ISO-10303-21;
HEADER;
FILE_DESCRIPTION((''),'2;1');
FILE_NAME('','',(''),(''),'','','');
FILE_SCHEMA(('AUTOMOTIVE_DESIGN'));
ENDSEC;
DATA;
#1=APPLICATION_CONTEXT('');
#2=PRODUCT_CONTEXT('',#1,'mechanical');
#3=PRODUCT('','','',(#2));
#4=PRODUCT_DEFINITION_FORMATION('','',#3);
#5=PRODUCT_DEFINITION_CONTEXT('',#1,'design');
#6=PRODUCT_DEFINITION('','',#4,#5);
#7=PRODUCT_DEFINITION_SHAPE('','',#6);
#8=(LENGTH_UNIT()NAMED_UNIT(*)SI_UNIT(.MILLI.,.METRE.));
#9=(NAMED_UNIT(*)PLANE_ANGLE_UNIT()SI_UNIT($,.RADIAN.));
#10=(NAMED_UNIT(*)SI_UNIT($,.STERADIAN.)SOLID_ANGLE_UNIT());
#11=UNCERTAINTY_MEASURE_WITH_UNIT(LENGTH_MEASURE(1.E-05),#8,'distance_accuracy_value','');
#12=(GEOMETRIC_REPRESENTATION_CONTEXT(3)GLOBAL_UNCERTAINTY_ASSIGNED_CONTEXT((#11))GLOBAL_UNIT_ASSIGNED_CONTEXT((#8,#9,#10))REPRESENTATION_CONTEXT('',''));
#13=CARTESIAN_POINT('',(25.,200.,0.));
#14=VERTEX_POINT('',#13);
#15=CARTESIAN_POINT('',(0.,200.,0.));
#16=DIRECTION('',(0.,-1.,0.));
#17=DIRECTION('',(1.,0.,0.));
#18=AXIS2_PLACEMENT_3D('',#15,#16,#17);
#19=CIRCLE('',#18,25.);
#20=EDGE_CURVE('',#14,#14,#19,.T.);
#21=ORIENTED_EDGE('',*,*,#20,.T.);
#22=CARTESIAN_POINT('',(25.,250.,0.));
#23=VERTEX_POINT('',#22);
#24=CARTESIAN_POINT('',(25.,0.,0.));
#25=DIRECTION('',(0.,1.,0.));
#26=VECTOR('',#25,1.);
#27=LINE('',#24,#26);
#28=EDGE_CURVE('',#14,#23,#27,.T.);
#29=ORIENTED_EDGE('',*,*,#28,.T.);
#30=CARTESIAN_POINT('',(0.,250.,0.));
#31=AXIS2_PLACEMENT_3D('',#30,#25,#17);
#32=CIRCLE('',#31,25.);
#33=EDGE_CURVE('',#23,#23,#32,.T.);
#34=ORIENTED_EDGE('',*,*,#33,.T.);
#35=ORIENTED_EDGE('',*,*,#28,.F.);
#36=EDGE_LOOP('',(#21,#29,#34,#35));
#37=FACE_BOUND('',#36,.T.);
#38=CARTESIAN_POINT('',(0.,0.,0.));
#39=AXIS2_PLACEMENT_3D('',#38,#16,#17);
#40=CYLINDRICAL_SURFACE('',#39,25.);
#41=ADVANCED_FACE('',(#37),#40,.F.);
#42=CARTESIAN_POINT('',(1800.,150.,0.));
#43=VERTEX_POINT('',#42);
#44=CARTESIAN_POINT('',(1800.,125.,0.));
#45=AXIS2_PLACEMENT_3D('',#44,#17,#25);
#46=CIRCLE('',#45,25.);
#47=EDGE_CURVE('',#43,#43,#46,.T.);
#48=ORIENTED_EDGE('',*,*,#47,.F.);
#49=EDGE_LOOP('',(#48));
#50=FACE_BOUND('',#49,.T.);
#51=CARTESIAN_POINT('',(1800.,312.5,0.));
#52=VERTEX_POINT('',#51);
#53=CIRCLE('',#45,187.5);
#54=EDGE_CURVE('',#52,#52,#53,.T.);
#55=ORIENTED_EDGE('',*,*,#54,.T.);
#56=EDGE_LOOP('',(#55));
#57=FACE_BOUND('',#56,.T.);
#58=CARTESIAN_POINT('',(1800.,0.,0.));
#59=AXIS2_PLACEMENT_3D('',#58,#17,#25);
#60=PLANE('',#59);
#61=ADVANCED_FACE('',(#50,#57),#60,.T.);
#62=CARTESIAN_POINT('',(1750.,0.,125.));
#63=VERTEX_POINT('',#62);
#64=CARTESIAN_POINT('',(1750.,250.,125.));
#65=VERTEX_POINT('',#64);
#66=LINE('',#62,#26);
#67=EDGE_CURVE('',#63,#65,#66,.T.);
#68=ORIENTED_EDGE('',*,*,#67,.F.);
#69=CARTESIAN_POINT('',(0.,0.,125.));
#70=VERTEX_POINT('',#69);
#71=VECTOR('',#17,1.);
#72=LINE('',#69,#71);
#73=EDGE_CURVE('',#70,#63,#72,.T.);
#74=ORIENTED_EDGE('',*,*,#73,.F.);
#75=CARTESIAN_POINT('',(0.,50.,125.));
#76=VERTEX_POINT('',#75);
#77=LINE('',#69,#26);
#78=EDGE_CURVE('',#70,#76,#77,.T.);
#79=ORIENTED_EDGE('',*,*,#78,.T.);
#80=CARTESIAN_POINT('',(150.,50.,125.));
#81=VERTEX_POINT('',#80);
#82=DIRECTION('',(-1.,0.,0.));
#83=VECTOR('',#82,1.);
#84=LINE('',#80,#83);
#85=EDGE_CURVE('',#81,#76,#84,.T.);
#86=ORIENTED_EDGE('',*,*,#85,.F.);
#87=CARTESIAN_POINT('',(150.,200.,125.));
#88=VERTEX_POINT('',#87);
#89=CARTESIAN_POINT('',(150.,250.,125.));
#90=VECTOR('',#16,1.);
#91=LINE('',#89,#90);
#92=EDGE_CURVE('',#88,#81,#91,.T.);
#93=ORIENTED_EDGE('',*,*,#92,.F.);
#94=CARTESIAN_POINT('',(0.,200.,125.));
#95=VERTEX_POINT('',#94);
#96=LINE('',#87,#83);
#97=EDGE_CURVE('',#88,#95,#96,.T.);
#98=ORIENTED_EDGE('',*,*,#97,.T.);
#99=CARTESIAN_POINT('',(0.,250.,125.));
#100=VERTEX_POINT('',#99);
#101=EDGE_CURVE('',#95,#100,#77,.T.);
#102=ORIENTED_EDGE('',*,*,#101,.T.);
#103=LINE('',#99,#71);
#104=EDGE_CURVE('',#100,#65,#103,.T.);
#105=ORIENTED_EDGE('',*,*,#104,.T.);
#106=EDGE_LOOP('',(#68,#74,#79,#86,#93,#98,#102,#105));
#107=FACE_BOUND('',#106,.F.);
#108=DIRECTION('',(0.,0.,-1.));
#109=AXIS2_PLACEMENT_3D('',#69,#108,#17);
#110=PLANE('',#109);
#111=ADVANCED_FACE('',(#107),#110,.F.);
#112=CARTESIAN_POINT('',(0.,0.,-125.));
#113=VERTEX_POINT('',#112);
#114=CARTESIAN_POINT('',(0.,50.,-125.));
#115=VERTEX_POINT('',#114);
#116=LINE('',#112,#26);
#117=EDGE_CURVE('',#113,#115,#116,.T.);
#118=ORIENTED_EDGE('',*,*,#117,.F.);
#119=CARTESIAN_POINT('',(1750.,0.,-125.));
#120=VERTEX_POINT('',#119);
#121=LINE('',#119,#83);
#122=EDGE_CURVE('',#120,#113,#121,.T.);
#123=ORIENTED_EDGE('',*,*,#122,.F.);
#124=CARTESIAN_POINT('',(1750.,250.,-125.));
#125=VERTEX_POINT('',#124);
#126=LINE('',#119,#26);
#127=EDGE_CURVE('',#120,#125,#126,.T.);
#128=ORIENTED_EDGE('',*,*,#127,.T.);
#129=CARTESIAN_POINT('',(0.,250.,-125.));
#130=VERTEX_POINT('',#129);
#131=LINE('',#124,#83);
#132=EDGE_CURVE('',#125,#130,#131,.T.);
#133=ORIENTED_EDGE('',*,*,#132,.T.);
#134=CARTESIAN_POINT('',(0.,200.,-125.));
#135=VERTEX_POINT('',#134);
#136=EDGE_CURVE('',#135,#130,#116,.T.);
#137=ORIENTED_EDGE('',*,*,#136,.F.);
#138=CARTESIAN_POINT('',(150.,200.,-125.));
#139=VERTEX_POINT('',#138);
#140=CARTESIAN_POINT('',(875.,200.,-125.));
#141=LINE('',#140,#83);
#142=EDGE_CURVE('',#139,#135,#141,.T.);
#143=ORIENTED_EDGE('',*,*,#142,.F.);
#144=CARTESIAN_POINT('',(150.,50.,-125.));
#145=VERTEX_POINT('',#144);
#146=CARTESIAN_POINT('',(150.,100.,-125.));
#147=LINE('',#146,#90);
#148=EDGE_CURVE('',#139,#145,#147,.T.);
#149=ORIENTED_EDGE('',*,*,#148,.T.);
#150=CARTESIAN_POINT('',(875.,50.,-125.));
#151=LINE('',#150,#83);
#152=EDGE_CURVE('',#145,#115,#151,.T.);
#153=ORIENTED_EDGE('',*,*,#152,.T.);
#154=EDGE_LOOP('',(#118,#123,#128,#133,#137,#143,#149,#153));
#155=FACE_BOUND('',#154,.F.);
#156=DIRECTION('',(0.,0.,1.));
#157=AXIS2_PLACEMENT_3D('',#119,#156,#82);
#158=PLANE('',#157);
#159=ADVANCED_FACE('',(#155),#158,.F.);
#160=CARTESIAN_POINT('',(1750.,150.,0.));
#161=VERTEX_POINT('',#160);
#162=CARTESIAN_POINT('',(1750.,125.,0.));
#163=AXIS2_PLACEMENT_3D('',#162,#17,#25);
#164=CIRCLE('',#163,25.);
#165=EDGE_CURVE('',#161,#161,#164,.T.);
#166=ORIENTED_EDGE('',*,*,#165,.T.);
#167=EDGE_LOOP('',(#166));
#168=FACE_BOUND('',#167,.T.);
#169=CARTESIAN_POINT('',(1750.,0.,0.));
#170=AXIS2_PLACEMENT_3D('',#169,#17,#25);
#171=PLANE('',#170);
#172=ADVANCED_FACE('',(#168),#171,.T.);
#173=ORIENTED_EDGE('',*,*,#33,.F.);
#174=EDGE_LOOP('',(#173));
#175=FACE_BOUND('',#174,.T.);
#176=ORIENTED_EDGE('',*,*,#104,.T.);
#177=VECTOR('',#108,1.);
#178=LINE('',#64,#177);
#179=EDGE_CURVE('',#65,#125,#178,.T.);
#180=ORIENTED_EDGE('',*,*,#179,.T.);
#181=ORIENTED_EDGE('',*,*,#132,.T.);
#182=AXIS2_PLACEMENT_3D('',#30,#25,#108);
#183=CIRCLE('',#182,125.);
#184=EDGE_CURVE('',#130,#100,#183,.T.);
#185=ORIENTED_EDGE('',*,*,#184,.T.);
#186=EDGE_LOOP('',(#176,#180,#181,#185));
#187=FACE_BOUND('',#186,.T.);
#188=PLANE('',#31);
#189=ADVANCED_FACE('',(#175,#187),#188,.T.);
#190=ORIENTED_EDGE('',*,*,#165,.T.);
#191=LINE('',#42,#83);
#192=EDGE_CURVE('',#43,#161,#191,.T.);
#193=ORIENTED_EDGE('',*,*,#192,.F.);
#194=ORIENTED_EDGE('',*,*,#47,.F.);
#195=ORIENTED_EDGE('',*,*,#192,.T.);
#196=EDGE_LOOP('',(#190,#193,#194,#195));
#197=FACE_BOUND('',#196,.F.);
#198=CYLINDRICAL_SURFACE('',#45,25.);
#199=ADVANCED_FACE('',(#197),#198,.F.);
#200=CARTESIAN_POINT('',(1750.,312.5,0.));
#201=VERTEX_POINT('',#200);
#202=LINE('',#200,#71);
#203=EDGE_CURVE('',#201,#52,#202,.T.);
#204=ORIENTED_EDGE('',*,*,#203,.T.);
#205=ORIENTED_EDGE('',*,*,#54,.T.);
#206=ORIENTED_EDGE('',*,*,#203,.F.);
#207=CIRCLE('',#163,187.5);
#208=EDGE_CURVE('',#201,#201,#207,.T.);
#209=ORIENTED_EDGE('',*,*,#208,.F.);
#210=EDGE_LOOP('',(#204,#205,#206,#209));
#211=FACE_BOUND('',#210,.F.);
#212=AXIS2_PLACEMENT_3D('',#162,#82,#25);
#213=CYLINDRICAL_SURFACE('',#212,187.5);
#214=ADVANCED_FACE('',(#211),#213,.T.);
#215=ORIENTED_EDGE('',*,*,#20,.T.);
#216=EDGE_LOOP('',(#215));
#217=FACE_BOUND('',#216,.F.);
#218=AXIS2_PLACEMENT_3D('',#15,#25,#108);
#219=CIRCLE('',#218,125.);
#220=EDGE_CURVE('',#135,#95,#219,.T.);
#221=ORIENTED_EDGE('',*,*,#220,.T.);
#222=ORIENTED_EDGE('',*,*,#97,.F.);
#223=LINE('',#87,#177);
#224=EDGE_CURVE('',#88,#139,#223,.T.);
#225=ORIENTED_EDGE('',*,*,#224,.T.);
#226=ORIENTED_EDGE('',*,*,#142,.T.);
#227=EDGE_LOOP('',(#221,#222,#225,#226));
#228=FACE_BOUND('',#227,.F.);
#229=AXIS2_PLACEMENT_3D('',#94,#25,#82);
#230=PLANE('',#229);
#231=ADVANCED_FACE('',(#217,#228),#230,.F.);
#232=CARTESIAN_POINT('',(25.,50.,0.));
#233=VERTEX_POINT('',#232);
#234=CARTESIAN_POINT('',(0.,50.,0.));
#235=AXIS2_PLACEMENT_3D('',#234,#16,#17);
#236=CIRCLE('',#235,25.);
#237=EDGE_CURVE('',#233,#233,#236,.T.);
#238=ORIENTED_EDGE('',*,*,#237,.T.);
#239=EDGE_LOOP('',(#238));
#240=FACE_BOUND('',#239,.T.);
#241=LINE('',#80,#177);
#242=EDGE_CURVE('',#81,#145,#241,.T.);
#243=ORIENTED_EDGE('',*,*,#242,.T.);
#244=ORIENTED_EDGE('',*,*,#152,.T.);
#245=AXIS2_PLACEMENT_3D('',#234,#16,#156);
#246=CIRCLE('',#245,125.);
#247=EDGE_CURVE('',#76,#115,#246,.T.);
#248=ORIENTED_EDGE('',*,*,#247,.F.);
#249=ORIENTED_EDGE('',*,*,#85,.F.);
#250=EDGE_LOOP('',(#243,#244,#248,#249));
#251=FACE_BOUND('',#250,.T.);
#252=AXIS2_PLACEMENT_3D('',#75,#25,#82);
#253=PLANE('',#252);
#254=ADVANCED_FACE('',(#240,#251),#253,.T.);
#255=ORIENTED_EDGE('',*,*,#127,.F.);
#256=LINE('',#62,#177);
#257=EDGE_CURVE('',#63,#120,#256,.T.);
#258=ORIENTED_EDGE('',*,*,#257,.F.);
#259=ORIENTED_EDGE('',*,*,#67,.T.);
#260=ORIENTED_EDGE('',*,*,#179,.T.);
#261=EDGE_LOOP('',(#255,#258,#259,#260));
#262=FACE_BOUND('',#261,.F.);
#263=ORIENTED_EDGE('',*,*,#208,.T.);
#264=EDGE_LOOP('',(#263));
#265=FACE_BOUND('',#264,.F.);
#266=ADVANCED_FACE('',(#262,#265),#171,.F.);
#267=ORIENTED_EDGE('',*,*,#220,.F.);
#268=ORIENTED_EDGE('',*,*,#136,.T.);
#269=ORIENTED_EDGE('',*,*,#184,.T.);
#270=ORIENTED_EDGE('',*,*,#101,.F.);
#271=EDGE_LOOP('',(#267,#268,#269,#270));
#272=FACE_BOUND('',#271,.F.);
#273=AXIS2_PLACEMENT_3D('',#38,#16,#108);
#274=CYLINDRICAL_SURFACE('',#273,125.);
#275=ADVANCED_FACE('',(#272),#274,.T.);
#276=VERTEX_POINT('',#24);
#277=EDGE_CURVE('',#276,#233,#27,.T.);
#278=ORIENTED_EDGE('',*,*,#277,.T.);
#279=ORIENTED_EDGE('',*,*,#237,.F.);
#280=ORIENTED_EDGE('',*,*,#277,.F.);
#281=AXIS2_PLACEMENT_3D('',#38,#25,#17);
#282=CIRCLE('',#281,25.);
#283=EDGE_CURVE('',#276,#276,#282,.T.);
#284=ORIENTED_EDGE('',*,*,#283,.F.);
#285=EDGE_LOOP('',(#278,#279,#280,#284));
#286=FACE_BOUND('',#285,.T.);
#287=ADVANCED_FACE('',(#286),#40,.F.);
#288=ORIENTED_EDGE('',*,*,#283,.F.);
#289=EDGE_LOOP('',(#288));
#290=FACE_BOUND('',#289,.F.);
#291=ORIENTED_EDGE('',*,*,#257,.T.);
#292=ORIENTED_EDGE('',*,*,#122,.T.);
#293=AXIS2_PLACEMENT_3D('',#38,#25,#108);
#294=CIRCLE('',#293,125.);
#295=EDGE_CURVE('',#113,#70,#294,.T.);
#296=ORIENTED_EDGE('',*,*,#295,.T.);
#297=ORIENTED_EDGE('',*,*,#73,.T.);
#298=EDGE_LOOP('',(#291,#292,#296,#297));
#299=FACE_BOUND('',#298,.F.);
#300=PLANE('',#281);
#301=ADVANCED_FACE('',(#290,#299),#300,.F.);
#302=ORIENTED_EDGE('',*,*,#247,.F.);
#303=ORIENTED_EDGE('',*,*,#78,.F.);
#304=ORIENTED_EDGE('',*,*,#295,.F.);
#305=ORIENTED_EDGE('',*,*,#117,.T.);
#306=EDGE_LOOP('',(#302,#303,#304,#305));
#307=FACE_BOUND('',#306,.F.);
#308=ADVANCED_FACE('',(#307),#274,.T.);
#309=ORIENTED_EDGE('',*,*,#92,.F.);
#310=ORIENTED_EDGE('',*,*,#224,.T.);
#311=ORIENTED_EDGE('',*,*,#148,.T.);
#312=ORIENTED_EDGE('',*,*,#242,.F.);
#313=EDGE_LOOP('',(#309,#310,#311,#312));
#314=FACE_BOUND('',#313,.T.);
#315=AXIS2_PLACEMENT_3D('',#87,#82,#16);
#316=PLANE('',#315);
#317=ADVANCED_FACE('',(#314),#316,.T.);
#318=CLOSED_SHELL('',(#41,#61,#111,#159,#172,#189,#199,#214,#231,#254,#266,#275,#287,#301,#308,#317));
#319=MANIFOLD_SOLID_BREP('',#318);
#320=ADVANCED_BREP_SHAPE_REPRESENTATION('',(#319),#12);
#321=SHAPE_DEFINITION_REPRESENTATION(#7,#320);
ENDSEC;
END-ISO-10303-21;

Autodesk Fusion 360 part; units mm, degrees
sketch "Sketch2" plane through (0, 0, 0) normal (0, 1, 0) x (1, 0, 0)
  line L0 (0, -50) -> (700, -50)
  arc A0 (700, -50) -> (700, 50) centre (700, 0) ccw
  line L1 (700, 50) -> (0, 50)
  arc A1 (0, 50) -> (0, -50) centre (0, 0) ccw
  line L2 (0, 0) -> (700, 0) construction
  circle A2 centre (0, 0) radius 10
  line L3 (700, -50) -> (700, 50)
  dimension "d2" = 100
  dimension "d3" = 20
extrude "Extrude1" add sketch "Sketch2" along normal blind 100 contours L0 L1 A1 L3
sketch "Sketch3" plane through (0, 0, 50) normal (0, 0, 1) x (-1, 0, 0)
  line L0 (0, 0) -> (-700, 0)
  line L1 (-700, 0) -> (-700, -100)
  line L2 (-700, -100) -> (0, -100)
  line L3 (0, -100) -> (0, 0)
  line L4 (-60, -100) -> (-60, 0)
  line L5 (-60, -80) -> (50, -80)
  line L6 (-60, -20) -> (50, -20)
  line L7 (50, -80) -> (50, -20)
  dimension "d6" = 20
  dimension "d7" = 20
extrude "Extrude2" cut sketch "Sketch3" against normal blind 110 contours L3 L5 L6 L7 | L3 L4 L5 L6
sketch "Sketch4" plane through (700, 0, 0) normal (1, 0, 0) x (0, 1, 0)
  line L0 (0, 50) -> (0, -50)
  line L1 (0, -50) -> (100, -50)
  line L2 (100, -50) -> (100, 50)
  line L3 (100, 50) -> (0, 50)
  circle A0 centre (50, 0) radius 75
  dimension "d10" = 150
extrude "Extrude3" add sketch "Sketch4" along normal blind 20 contours L0 L1 L2 L3 | A0
sketch "Sketch5" plane through (720, 0, 0) normal (1, 0, 0) x (0, 1, 0)
  circle A0 centre (50, 0) radius 75
  circle A1 centre (50, 0) radius 10
  dimension "d13" = 20
extrude "Extrude4" cut sketch "Sketch5" against normal blind 20 contours A1
scale "Scale1" factor 2.5 about (0, 0, 0) bodies 1
